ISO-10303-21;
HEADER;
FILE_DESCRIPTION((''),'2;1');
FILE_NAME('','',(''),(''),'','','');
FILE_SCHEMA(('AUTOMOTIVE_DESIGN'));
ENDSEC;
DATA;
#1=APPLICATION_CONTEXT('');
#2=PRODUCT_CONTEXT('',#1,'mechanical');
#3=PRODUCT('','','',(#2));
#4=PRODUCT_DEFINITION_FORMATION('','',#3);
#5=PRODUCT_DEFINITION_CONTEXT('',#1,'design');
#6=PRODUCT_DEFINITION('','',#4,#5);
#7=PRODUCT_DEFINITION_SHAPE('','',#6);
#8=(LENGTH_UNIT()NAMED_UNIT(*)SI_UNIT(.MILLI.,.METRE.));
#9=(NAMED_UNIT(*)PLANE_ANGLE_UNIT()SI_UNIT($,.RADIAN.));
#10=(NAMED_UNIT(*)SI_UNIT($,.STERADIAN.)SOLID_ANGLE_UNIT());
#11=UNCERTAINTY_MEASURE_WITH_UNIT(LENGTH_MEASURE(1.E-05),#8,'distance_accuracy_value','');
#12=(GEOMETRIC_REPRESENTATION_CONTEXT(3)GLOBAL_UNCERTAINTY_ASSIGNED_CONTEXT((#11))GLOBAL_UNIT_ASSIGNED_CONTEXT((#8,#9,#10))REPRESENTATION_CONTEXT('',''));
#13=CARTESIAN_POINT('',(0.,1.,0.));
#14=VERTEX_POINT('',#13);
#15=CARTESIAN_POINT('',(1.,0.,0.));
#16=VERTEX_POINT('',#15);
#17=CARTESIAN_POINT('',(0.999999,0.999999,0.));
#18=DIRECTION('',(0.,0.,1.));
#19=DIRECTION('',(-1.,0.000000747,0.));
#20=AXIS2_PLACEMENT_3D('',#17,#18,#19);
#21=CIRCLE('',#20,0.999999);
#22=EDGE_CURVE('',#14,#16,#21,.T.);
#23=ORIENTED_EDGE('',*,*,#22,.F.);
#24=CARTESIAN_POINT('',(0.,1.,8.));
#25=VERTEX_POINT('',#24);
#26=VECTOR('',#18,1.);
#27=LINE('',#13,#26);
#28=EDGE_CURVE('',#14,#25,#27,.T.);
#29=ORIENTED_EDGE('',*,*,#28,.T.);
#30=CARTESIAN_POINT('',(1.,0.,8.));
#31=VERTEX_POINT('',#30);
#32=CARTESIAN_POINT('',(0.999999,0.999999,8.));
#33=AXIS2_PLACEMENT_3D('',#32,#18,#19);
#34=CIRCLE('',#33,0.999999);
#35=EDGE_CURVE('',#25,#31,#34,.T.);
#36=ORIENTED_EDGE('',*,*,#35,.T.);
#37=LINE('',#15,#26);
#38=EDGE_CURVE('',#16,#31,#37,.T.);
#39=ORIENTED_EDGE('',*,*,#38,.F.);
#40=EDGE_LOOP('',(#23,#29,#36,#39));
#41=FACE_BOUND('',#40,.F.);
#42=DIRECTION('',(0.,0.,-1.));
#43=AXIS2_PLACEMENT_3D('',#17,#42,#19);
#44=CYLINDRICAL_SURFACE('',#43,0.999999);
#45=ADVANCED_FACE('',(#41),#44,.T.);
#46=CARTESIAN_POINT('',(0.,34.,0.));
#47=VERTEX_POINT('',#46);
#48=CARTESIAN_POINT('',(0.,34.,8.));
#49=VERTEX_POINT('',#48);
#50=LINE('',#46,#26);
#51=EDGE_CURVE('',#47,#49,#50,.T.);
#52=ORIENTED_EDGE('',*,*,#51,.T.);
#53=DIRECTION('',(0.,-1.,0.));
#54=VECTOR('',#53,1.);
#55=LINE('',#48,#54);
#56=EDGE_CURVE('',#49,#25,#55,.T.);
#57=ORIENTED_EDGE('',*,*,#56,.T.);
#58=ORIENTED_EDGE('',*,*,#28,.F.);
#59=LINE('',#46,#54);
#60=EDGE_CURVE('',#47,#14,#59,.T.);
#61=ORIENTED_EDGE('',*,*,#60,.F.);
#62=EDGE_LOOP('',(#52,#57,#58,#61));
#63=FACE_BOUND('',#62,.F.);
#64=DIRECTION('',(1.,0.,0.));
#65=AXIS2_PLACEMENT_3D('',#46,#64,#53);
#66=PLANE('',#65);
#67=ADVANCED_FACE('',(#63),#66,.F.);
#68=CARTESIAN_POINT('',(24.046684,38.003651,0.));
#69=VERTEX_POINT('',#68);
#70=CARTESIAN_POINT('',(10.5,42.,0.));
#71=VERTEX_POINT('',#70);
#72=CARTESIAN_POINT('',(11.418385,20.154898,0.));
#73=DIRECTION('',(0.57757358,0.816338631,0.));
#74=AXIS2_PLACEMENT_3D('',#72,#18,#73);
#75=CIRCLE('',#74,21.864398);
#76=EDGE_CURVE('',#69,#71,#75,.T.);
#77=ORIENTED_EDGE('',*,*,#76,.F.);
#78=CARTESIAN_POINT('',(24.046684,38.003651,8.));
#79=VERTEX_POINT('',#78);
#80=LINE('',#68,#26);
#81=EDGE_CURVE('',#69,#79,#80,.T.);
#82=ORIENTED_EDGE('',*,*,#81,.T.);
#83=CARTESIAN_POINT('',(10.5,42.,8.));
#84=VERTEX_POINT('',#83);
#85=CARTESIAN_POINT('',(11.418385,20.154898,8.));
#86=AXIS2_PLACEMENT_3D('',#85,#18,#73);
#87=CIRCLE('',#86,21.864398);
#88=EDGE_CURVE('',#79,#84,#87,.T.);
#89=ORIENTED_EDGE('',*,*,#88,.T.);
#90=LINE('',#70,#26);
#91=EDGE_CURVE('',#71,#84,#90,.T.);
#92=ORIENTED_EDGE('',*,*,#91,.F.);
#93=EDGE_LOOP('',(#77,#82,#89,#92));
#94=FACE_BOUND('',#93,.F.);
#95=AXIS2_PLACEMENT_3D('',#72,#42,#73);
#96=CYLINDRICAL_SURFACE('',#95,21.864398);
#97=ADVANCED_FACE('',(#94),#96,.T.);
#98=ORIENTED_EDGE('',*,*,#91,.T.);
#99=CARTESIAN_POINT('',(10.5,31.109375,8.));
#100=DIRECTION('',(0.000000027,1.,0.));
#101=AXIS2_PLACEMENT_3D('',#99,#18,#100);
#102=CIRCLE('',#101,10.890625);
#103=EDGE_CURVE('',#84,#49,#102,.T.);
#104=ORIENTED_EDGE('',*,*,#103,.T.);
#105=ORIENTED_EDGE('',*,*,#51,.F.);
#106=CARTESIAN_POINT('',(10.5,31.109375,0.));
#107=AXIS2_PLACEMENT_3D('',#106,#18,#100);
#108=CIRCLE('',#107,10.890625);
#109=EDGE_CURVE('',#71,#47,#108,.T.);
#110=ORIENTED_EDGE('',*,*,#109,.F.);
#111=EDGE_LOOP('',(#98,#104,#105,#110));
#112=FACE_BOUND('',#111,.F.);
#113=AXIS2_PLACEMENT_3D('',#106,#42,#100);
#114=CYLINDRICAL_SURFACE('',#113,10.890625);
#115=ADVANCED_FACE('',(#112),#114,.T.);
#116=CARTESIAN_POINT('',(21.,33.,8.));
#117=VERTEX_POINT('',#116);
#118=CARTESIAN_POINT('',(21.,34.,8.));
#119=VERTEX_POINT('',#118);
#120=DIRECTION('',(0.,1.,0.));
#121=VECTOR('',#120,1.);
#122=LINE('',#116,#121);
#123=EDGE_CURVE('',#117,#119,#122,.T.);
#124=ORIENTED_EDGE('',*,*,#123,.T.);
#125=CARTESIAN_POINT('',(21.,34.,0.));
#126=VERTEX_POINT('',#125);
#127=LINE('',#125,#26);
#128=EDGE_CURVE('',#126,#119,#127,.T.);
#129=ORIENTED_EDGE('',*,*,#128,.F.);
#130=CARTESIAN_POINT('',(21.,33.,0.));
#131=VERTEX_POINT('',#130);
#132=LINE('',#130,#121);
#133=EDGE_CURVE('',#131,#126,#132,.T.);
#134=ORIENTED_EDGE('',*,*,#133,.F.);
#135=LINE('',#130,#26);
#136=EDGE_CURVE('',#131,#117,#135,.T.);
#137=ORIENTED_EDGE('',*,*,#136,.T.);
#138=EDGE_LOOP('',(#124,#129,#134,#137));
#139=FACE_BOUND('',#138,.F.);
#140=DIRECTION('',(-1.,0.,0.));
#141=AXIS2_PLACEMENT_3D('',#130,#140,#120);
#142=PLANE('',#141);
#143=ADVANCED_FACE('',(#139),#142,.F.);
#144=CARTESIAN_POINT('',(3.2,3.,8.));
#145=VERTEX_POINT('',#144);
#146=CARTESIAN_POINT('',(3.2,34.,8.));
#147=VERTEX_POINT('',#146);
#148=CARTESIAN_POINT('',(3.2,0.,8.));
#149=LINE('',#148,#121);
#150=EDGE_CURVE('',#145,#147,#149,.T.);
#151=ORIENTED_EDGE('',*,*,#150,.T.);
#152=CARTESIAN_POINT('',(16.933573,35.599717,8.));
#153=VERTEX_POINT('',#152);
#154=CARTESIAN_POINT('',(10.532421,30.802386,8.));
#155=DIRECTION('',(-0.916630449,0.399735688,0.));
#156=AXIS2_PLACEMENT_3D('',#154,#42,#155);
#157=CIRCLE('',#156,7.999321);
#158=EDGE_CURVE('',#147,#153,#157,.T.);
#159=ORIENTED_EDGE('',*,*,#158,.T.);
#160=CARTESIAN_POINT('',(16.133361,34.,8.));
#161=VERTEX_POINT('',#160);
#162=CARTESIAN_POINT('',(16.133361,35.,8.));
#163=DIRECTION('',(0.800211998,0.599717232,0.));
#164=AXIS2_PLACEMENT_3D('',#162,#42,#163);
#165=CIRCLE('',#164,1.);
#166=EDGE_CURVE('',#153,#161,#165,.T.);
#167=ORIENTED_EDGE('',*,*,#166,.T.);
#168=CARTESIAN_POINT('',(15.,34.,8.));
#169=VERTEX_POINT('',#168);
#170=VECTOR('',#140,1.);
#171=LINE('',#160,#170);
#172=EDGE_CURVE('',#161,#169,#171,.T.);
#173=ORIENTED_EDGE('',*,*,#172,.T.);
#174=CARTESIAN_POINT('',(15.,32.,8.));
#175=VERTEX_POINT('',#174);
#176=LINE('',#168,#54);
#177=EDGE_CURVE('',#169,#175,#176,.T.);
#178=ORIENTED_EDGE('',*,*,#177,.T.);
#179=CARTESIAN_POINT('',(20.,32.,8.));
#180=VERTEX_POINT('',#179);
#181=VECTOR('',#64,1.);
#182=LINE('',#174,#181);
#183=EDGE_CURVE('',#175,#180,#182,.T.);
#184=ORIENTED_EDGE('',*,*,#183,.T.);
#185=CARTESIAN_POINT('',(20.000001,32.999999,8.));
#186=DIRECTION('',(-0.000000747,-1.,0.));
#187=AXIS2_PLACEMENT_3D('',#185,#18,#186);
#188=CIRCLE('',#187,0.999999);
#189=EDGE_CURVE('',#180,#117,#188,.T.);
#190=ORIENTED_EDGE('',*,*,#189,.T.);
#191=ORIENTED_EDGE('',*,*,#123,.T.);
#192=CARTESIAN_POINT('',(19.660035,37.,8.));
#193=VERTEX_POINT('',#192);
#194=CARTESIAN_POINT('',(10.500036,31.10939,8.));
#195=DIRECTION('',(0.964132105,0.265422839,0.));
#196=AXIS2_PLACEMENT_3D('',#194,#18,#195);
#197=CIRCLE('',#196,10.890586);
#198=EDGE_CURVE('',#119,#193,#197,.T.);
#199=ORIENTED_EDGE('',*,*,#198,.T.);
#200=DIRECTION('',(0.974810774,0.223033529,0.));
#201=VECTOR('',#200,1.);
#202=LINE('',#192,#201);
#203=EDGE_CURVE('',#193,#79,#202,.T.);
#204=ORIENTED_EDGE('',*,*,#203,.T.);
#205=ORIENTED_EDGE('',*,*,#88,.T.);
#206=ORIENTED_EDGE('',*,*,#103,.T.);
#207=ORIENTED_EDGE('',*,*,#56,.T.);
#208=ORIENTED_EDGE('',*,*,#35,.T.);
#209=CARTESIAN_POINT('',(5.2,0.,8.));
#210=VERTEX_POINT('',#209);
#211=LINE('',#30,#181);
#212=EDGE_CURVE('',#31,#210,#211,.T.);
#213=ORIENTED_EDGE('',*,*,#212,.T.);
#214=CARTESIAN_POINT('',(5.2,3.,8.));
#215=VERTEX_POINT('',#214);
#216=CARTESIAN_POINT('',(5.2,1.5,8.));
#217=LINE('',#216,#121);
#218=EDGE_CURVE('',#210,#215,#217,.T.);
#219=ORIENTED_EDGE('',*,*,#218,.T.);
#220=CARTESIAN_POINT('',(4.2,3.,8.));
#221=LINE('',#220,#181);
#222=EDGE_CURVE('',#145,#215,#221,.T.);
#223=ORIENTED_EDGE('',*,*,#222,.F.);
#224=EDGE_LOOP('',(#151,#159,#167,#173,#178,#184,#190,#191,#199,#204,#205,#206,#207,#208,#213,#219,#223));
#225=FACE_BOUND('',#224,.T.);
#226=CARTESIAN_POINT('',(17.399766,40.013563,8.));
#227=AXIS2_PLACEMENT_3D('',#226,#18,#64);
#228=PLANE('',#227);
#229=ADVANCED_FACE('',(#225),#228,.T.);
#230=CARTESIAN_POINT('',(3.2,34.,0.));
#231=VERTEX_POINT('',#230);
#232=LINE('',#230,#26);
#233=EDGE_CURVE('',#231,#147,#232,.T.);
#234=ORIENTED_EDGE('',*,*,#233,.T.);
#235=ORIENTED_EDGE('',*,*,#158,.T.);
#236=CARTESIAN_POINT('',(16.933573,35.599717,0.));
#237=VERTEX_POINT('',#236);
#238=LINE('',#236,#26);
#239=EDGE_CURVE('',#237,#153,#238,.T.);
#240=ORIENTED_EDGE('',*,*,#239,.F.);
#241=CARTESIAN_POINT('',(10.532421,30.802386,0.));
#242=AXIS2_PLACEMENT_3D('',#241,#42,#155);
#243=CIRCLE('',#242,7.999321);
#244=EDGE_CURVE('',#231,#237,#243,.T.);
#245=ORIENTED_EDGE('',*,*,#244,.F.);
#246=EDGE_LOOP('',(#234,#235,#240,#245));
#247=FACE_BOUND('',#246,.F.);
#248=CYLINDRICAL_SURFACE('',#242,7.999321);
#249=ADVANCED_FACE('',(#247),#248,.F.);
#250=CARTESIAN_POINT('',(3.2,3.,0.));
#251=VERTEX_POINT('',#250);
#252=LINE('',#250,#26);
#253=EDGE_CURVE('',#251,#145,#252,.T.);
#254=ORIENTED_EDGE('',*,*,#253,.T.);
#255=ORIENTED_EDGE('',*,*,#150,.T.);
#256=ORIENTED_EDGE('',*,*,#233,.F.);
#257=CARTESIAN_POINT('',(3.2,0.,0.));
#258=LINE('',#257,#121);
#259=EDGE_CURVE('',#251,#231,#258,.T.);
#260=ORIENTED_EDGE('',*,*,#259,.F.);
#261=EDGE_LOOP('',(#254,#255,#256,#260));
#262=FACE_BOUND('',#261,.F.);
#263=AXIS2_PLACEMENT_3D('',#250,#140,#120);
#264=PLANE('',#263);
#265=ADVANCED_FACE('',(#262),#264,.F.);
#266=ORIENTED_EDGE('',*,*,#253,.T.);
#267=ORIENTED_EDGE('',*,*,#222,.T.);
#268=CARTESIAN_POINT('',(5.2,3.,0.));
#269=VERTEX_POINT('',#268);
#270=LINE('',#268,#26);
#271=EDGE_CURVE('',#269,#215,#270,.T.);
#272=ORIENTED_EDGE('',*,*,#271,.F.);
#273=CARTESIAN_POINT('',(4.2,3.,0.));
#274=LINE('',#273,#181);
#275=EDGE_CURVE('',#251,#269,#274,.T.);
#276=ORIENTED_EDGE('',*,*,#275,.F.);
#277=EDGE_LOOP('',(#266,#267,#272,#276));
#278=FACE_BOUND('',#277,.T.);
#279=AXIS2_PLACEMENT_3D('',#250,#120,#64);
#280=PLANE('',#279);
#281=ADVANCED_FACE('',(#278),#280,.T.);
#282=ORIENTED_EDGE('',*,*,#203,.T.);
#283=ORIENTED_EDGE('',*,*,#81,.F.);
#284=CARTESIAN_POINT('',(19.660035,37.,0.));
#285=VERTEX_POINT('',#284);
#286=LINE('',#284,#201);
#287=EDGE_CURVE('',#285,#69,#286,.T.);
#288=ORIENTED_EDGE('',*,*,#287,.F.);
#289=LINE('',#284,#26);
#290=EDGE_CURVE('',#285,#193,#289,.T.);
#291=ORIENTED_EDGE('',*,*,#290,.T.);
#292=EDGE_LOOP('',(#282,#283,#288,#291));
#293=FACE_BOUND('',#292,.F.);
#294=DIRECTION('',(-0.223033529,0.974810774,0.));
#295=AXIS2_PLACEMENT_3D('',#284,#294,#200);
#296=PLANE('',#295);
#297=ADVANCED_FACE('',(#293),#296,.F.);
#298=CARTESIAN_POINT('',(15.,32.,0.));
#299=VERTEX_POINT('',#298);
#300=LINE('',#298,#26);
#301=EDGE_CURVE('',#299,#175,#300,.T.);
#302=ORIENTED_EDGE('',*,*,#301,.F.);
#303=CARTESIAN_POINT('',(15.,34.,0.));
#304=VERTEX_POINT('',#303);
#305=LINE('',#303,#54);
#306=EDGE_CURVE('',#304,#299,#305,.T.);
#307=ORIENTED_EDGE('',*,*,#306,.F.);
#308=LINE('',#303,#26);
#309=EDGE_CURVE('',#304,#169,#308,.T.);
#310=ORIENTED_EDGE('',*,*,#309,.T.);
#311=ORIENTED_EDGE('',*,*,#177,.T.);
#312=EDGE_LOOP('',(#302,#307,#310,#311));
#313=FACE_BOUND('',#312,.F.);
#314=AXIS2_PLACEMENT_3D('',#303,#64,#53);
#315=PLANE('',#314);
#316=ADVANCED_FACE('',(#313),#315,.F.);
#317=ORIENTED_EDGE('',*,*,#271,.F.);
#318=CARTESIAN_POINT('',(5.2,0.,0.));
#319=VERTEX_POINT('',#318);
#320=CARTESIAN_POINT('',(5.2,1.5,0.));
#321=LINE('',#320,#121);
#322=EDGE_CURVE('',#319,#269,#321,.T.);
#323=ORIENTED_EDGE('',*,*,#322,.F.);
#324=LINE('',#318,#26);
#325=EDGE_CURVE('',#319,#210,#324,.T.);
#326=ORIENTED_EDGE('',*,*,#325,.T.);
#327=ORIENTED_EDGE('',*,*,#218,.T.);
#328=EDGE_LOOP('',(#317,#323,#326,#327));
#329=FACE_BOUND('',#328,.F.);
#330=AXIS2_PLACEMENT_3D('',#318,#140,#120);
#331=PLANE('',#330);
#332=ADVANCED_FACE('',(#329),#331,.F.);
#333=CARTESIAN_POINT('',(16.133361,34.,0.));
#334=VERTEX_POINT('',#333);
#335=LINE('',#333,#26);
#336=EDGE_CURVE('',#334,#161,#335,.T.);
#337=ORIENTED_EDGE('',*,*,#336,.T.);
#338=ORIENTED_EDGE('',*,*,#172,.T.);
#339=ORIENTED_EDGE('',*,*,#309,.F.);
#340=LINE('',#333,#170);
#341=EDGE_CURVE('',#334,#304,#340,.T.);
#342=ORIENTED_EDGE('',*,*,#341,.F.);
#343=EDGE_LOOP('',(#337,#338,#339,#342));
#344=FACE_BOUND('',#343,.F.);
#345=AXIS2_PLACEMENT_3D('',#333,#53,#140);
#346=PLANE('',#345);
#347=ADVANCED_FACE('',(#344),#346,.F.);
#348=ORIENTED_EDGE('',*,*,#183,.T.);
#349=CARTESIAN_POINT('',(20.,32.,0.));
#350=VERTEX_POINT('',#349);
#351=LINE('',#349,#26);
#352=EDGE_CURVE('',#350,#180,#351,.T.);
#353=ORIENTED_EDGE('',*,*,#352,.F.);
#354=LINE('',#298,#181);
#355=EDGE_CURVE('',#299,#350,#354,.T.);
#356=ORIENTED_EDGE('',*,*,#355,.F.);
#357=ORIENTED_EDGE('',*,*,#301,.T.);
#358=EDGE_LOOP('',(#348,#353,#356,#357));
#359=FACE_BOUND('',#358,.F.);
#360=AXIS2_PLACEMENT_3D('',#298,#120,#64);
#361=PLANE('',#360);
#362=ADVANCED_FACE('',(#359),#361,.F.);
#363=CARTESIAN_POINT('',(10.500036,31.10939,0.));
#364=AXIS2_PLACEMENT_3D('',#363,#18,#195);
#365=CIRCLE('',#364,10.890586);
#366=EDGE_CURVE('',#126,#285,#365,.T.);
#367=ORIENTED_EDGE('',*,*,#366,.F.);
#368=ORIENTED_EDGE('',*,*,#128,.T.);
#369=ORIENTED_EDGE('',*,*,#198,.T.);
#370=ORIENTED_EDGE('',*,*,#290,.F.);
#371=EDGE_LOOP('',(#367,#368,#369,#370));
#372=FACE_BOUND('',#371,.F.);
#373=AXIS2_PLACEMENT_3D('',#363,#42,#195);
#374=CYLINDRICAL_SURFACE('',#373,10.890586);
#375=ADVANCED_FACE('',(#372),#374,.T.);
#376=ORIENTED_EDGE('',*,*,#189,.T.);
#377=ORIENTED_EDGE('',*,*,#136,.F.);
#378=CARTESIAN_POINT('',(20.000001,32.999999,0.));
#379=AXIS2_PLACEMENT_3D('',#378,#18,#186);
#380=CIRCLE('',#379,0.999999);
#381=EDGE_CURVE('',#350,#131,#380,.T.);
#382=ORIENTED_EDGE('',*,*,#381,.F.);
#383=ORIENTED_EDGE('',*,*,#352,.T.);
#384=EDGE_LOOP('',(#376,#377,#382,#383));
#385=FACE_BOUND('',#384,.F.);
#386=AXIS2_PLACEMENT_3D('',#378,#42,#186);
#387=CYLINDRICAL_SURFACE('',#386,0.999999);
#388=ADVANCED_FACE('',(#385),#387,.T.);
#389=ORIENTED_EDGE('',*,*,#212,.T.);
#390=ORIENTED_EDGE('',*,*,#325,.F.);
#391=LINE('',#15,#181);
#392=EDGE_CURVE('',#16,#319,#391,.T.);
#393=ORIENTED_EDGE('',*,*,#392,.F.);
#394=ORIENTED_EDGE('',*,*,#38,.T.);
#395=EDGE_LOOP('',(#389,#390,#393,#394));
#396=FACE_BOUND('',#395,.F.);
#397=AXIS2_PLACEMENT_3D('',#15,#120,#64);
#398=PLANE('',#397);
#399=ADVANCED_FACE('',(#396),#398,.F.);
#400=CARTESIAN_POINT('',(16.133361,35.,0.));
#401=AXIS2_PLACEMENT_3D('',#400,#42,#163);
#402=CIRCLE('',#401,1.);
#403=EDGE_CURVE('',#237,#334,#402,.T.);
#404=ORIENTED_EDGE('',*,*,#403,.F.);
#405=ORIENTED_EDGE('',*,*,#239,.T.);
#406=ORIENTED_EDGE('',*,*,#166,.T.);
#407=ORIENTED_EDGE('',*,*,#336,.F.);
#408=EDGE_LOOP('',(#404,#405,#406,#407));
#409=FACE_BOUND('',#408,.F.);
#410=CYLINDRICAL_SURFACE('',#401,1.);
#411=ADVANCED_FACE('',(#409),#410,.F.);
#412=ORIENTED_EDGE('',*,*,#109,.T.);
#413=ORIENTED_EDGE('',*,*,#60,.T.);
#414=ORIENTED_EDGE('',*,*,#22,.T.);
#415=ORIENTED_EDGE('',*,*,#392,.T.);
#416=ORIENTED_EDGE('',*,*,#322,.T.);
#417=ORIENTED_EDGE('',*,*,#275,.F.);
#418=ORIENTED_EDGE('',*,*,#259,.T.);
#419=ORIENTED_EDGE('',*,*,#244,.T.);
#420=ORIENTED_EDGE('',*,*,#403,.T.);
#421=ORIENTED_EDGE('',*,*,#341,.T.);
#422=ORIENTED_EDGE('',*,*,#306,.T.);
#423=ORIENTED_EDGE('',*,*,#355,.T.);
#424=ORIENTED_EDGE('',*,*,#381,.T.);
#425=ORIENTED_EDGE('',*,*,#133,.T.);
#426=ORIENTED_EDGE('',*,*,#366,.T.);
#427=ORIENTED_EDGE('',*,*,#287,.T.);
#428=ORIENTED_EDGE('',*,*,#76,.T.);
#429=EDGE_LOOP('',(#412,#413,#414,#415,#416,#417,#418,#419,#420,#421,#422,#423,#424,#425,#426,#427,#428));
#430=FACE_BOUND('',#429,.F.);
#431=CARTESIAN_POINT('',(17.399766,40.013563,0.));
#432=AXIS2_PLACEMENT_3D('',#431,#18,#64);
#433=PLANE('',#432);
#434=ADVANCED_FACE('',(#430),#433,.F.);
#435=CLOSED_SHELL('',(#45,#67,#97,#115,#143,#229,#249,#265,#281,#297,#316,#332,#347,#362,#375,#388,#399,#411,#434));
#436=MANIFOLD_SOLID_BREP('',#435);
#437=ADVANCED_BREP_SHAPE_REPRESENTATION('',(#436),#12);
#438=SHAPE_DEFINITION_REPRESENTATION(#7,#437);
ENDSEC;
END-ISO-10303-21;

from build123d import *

# Parameters (mm, degrees)
F0_W     = 2
F0_H     = 3
F1_DEPTH = 8


with BuildPart() as f1:
    # F0 (on Top) → F1 (new body)
    with BuildSketch(Plane.XY):
        with BuildLine():
            ThreePointArc((24.046684, 38.003651), (17.604921, 41.125799), (10.5, 42))
            ThreePointArc((10.5, 42), (15.717908, 40.668619), (19.660035, 37))
            Line((19.660035, 37), (24.046684, 38.003651))
        make_face()
        with BuildLine():
            ThreePointArc((10.5, 42), (3.899811, 39.772124), (0, 34))
            Line((0, 34), (3.2, 34))
            ThreePointArc((3.2, 34), (9.6069, 38.747985), (16.933573, 35.599717))
            ThreePointArc((16.933573, 35.599717), (17.027709, 34.552628), (16.133361, 34))
            Line((16.133361, 34), (15, 34))
            Line((15, 34), (15, 32))
            Line((15, 32), (20, 32))
            ThreePointArc((20, 32), (20.707107, 32.292893), (21, 33))
            Line((21, 33), (21, 34))
            ThreePointArc((21, 34), (20.443805, 35.550823), (19.660035, 37))
            ThreePointArc((19.660035, 37), (15.717908, 40.668619), (10.5, 42))
        make_face()
        with Locations((4.2, 1.5)):
            Rectangle(F0_W, F0_H)
        with BuildLine():
            ThreePointArc((0, 1), (0.292893, 0.292893), (1, 0))
            Line((1, 0), (3.2, 0))
            Line((3.2, 0), (3.2, 3))
            Line((3.2, 3), (3.2, 34))
            Line((3.2, 34), (0, 34))
            Line((0, 34), (0, 1))
        make_face()
    extrude(amount=F1_DEPTH)


solid = f1.part
